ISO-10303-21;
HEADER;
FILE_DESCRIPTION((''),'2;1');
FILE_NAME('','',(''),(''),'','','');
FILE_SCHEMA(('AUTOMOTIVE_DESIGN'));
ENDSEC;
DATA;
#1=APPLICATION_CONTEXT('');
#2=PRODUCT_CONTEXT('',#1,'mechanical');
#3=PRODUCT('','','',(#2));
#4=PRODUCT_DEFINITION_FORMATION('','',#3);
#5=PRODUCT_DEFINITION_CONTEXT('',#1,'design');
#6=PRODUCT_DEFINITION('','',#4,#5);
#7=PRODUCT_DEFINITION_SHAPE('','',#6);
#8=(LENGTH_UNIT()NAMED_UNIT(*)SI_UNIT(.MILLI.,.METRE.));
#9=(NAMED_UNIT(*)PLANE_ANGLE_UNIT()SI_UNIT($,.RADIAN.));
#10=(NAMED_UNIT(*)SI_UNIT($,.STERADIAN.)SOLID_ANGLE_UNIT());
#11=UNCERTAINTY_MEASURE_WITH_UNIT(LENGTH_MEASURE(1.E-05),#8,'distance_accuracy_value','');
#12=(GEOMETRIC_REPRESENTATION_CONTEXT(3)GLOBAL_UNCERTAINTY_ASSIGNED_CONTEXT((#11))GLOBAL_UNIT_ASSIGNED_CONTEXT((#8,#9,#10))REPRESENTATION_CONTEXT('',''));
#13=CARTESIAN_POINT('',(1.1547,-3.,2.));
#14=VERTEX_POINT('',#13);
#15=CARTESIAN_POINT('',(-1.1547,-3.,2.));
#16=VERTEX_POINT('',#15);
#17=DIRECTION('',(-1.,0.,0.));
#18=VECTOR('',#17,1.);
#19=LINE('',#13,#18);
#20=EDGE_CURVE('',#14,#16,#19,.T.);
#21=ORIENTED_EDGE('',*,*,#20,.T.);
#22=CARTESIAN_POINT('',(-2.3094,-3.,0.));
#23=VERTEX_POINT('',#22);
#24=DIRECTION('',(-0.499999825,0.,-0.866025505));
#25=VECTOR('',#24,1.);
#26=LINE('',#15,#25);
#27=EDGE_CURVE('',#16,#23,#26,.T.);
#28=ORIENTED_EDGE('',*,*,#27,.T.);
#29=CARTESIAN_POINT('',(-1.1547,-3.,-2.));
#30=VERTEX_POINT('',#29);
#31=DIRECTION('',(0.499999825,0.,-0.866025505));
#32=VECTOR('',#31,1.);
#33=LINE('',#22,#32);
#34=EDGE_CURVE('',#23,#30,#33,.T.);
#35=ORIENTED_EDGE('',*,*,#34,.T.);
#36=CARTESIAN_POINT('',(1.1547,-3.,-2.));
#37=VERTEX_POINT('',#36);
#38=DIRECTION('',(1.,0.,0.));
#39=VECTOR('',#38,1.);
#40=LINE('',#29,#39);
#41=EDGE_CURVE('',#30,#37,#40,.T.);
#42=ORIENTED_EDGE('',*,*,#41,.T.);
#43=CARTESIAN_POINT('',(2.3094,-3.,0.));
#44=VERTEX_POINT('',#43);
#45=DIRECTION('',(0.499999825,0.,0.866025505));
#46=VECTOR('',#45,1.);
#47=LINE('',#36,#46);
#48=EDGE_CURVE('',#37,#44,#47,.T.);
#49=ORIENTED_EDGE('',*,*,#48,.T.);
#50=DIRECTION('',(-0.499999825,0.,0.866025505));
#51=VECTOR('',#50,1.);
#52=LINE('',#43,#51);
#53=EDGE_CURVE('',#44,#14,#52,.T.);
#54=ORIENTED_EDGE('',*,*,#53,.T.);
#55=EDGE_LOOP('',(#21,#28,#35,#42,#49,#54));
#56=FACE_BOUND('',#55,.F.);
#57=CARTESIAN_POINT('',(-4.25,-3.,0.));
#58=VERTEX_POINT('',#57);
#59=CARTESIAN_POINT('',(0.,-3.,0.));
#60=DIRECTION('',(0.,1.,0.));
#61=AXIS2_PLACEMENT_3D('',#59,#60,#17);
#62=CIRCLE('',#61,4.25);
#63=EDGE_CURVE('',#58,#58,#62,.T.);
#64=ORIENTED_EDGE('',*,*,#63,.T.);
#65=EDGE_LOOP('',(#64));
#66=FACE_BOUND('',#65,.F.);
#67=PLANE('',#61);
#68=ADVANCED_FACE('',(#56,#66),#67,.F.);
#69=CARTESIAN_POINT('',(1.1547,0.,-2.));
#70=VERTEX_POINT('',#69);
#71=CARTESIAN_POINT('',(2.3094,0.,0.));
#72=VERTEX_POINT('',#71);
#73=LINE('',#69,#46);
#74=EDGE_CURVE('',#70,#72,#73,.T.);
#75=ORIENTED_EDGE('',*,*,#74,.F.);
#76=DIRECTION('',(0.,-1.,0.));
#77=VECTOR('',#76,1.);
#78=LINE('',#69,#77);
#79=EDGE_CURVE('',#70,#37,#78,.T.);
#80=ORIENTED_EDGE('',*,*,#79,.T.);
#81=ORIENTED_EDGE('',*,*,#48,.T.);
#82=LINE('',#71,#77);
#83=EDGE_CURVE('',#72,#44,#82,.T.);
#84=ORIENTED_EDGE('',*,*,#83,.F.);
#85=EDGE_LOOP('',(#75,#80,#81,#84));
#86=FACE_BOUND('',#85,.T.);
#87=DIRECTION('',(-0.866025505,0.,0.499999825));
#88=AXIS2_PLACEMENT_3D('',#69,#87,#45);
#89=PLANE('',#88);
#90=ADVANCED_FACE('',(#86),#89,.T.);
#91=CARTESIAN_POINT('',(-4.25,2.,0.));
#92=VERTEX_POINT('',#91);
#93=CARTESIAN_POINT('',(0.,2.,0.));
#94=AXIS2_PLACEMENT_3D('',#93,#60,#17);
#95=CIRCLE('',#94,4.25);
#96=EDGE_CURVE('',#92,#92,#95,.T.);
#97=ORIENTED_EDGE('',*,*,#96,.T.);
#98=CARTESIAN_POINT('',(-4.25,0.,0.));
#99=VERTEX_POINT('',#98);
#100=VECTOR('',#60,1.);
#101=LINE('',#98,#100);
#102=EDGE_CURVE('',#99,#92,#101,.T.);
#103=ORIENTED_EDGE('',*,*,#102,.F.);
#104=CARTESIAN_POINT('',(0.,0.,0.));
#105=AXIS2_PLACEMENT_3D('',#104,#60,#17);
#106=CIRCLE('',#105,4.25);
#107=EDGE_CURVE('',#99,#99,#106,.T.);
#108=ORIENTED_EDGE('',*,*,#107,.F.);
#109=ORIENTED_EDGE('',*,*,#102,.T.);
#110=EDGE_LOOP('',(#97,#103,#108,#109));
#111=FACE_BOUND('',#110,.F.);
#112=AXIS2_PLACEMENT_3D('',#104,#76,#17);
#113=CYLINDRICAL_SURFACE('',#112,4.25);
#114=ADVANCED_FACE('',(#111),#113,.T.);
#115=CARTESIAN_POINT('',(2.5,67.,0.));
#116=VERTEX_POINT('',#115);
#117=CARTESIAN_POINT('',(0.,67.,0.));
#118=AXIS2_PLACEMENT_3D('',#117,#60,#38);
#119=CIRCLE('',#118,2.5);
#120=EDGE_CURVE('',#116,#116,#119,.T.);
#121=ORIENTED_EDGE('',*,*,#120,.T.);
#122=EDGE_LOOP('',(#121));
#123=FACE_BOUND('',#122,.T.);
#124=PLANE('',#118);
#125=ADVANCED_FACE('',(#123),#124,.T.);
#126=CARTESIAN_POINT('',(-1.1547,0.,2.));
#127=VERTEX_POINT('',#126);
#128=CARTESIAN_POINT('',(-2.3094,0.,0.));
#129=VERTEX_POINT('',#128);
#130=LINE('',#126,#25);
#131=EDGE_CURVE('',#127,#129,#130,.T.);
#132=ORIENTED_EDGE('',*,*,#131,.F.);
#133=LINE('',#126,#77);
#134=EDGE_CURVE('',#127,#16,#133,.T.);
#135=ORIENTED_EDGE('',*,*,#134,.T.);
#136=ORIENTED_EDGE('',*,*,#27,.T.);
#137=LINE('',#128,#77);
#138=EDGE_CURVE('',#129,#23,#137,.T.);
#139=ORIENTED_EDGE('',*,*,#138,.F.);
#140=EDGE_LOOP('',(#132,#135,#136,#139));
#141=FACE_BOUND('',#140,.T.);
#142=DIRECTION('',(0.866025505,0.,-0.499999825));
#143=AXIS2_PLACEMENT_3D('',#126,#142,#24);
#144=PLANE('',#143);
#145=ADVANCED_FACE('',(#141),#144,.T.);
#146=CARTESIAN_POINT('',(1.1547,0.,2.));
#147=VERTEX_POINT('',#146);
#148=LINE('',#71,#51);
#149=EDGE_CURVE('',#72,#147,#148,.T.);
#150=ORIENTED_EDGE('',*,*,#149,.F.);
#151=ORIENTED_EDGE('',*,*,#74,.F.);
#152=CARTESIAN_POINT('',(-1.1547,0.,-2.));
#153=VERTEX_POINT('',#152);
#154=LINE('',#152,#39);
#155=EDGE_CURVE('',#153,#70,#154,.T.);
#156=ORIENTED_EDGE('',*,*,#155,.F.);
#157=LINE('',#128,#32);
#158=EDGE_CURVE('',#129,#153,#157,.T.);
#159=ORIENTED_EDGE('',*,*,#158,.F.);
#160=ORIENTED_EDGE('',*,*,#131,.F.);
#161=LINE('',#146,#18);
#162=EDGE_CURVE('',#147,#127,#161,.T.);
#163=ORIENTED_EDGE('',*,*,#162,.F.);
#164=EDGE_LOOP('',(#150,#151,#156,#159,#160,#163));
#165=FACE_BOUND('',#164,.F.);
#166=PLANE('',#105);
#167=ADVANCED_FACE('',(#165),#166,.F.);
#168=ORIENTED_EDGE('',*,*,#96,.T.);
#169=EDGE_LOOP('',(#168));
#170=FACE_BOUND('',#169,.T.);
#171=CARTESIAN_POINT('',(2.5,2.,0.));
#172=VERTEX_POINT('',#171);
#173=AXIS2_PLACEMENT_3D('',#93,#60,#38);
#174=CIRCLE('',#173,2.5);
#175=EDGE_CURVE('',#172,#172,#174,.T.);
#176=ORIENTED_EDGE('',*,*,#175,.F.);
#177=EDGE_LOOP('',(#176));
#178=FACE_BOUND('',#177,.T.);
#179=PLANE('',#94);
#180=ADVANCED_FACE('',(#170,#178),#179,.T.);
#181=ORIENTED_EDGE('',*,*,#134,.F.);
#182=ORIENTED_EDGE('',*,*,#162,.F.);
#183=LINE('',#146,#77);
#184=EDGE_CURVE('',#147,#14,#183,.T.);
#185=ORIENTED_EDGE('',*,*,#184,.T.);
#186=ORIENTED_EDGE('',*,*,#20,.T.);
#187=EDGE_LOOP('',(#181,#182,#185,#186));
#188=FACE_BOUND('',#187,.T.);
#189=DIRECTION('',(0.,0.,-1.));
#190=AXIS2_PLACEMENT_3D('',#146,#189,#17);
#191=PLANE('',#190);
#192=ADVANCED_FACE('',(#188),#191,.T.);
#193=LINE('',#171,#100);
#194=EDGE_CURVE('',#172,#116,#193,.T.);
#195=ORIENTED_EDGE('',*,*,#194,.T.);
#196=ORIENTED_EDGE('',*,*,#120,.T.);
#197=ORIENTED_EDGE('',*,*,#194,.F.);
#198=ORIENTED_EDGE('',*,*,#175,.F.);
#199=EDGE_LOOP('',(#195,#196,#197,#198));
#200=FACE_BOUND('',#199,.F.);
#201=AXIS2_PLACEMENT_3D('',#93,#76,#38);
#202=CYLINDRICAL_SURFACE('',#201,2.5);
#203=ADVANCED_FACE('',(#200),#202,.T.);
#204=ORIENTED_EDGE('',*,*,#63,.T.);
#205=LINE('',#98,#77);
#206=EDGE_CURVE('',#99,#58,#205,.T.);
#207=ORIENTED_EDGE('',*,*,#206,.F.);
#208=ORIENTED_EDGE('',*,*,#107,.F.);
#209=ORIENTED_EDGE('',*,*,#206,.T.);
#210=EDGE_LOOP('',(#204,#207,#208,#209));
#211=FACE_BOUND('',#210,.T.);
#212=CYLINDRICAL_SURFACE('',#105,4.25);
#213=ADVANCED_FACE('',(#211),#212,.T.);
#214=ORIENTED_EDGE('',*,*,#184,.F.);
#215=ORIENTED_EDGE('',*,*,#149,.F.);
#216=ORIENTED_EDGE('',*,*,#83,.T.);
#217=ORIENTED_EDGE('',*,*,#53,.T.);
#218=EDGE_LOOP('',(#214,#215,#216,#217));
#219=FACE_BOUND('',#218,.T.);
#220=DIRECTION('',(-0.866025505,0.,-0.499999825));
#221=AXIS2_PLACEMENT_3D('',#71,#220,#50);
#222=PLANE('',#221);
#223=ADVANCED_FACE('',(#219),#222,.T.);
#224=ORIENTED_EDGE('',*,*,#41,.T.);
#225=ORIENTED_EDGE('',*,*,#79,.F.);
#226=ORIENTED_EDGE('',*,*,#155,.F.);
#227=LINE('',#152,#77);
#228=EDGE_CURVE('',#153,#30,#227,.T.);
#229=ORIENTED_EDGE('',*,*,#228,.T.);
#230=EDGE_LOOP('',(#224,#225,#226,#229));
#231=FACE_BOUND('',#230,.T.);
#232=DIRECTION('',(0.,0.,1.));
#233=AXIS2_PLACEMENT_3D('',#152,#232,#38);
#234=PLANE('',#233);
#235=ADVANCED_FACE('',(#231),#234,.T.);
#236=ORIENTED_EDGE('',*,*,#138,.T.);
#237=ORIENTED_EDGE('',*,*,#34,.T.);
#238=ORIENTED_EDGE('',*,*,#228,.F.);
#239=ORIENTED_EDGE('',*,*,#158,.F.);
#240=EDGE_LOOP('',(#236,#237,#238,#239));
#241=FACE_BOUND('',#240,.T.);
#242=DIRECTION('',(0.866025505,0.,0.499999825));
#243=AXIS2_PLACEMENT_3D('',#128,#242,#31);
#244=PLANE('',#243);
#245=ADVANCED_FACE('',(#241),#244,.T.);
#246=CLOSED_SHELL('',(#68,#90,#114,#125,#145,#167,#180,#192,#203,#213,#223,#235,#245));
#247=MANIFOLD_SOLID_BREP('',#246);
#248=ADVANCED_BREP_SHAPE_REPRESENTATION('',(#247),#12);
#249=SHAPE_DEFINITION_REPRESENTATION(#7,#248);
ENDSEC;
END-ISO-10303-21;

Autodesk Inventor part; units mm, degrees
ref_plane "YZ Plane" through (0, 0, 0) normal (1, 0, 0) x (0, 1, 0)
ref_plane "XZ Plane" through (0, 0, 0) normal (0, 1, 0) x (-1, 0, 0)
ref_plane "XY Plane" through (0, 0, 0) normal (0, 0, 1) x (1, 0, 0)
sketch "Szkic1" plane through (0, 0, 0) normal (0, 1, 0) x (-1, 0, 0)
  circle A0 centre (0, 0) radius 4.25
  line L0 (1.1547, 2) -> (2.3094, 0)
  line L1 (2.3094, 0) -> (1.1547, -2)
  line L2 (1.1547, -2) -> (-1.1547, -2)
  line L3 (-1.1547, -2) -> (-2.3094, 0)
  line L4 (-2.3094, 0) -> (-1.1547, 2)
  line L5 (-1.1547, 2) -> (1.1547, 2)
  circle A1 centre (0, 0) radius 2.5
  dimension "d0" = 8.5
  dimension "d1" = 4
  dimension "d2" = 5
extrude "Wyciągnięcie proste1" add sketch "Szkic1" along normal blind 2 contours A0 | L0 L1 L2 L3 L4 L5 | A1
extrude "Wyciągnięcie proste2" add sketch "Szkic1" against normal blind 3 contours A0 | A1
sketch "Szkic2" plane through (0, 2, 0) normal (0, 1, 0) x (1, 0, 0)
  circle A0 centre (0, 0) radius 2.5
  dimension "d7" = 5
extrude "Wyciągnięcie proste3" add sketch "Szkic2" along normal blind 65
thread "Gwint1" size "M6x1" class "6g" standard "ANSI Metric M Profile" length 65
properties part number "M5x65" material "Aluminum 6061"
